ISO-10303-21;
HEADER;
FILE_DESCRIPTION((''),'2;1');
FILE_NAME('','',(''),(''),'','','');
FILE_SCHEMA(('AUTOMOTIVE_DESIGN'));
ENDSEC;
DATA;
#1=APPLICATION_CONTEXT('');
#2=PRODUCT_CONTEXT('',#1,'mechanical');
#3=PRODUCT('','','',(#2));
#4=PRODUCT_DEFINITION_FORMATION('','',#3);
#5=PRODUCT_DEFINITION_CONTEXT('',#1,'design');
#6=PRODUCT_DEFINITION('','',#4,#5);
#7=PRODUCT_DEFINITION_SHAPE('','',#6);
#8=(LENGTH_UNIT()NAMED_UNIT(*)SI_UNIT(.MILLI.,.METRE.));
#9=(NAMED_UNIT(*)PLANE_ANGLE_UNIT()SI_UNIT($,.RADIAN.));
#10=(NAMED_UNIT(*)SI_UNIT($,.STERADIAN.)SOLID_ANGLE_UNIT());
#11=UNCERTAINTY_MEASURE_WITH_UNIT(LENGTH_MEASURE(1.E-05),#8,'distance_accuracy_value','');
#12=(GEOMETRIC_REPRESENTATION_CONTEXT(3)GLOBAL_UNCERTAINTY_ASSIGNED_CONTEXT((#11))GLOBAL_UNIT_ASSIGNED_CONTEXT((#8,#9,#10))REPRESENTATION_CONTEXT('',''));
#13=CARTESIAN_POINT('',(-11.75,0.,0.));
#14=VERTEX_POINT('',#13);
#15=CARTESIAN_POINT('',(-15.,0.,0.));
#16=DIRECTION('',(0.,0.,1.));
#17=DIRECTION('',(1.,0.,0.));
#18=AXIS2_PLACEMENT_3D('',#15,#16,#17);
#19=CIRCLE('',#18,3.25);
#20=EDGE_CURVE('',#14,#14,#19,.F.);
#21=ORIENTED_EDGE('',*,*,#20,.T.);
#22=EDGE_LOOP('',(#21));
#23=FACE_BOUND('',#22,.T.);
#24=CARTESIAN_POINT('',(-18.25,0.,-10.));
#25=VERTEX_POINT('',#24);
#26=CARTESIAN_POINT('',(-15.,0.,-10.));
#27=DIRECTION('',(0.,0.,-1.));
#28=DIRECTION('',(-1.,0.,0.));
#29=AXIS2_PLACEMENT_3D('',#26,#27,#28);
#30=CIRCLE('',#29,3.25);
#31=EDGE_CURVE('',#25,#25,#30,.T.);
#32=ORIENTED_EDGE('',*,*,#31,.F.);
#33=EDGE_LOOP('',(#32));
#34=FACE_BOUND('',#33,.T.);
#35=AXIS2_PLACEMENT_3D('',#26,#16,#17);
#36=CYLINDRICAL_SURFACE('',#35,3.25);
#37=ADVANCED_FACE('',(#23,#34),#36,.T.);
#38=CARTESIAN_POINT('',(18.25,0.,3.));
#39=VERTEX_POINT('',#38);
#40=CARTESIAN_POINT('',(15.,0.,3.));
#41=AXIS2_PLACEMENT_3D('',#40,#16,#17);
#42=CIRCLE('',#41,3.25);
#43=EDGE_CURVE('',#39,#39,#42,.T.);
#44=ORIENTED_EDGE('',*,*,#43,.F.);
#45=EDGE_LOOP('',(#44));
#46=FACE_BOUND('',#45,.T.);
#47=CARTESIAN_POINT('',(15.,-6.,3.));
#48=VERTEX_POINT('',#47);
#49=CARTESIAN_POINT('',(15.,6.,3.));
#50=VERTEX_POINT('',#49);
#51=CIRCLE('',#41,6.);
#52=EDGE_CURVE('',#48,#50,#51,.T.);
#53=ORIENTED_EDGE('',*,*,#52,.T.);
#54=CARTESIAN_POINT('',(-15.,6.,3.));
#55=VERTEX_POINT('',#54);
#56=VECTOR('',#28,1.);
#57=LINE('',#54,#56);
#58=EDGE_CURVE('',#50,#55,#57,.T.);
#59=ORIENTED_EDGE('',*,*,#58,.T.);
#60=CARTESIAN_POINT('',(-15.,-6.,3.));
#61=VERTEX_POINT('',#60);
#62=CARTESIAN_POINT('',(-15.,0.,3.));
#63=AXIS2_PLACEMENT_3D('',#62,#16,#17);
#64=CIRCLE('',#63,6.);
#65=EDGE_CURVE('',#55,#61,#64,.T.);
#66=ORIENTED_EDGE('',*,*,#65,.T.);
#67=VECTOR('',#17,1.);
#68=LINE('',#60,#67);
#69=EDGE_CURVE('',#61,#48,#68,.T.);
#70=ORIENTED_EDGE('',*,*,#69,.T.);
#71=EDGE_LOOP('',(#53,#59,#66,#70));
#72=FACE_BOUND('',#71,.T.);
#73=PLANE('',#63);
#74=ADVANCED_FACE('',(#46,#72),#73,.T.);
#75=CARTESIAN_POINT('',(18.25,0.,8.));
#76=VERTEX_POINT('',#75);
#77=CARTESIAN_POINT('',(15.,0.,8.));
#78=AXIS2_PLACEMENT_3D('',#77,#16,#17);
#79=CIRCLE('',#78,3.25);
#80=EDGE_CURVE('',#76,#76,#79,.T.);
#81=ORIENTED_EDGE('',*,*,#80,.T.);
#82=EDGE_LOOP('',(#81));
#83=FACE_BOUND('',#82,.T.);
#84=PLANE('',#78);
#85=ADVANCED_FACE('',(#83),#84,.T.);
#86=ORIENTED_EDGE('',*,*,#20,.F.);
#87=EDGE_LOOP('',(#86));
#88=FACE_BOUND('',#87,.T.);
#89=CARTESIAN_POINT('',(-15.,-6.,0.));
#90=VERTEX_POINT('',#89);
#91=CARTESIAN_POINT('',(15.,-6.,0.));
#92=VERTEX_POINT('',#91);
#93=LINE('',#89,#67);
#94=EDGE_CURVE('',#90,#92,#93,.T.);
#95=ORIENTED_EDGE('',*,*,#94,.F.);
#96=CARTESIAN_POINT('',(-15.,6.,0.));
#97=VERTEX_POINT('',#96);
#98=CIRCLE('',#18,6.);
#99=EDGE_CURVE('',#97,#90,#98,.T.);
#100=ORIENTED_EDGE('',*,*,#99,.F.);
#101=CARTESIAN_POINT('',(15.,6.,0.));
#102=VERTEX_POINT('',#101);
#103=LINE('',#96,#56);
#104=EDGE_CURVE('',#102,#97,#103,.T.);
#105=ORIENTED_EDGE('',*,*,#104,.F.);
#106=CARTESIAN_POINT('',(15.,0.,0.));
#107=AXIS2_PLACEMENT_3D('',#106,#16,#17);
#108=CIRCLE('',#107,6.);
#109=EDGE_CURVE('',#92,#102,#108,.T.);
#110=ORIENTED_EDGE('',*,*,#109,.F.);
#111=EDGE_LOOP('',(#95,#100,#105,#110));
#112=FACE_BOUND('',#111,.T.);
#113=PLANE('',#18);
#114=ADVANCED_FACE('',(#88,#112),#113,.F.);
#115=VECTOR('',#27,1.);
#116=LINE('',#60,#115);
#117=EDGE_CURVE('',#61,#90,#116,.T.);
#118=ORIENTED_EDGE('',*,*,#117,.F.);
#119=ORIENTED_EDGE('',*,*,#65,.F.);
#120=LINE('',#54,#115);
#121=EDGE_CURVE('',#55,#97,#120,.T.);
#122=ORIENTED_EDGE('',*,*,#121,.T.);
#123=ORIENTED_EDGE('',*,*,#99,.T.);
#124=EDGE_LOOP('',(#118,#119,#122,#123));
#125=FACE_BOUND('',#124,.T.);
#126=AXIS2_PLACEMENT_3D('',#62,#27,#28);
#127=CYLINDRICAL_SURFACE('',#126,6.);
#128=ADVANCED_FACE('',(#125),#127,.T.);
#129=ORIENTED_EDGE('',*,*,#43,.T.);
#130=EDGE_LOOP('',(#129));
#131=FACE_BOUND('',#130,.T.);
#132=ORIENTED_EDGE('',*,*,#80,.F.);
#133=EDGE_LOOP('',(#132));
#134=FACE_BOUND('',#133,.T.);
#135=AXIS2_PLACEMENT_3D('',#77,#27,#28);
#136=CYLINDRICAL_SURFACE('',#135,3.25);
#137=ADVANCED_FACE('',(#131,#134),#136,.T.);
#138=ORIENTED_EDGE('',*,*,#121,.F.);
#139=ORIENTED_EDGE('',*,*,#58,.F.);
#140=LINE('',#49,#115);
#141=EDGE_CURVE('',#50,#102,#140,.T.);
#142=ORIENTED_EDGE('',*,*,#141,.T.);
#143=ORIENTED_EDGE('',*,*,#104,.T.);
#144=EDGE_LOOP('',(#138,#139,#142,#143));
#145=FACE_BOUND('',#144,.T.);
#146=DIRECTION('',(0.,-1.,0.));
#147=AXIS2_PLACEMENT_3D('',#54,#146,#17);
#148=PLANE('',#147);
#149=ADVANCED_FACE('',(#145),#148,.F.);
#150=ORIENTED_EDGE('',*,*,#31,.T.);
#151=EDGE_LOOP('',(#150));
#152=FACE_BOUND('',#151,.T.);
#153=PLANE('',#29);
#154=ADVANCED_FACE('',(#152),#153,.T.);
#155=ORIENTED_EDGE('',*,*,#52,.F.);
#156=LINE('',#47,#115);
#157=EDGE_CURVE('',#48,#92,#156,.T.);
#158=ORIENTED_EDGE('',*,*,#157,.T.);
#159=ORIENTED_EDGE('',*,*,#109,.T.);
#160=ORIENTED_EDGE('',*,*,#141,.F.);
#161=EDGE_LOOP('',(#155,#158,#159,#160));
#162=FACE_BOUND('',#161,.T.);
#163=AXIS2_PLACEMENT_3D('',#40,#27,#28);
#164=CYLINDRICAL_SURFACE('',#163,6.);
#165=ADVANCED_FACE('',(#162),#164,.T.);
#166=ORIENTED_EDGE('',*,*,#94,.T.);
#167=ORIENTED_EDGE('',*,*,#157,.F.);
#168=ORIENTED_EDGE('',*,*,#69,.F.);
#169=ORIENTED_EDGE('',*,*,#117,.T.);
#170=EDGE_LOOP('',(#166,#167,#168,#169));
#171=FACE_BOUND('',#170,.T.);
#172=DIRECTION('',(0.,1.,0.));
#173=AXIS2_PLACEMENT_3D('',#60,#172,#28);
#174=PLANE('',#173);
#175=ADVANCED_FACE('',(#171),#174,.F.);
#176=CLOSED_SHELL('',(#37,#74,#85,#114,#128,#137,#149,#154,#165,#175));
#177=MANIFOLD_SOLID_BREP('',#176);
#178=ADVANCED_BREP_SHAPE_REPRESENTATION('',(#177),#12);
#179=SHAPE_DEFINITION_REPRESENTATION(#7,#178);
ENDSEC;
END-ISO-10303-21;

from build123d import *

# Parameters (mm, degrees)
Y_KSEKLIK_EKSTR_ZYON1_DEPTH = 3
IZIM2_R                     = 3.25
Y_KSEKLIK_EKSTR_ZYON2_DEPTH = 5
IZIM3_R                     = 3.25
Y_KSEKLIK_EKSTR_ZYON3_DEPTH = 10


with BuildPart() as part:
    # Çizim1 → Yükseklik-Ekstrüzyon1 (new body)
    with BuildSketch(Plane.XY):
        with BuildLine():
            Line((-15, 6), (15, 6))
            ThreePointArc((15, 6), (21, 0), (15, -6))
            Line((15, -6), (-15, -6))
            ThreePointArc((-15, -6), (-21, 0), (-15, 6))
        make_face()
    extrude(amount=Y_KSEKLIK_EKSTR_ZYON1_DEPTH)

    # Çizim2 → Yükseklik-Ekstrüzyon2 (add)
    with BuildSketch(Plane.XY.offset(3)):
        with Locations((15, 0)):
            Circle(IZIM2_R)
    extrude(amount=Y_KSEKLIK_EKSTR_ZYON2_DEPTH)

    # Çizim3 → Yükseklik-Ekstrüzyon3 (add)
    with BuildSketch(Plane(origin=(0, 0, 0), x_dir=(-1, 0, 0), z_dir=(0, 0, -1))):
        with Locations(Location((15, 0, 0), (0, 0, 180))):
            Circle(IZIM3_R)
    extrude(amount=Y_KSEKLIK_EKSTR_ZYON3_DEPTH)


solid = part.part
